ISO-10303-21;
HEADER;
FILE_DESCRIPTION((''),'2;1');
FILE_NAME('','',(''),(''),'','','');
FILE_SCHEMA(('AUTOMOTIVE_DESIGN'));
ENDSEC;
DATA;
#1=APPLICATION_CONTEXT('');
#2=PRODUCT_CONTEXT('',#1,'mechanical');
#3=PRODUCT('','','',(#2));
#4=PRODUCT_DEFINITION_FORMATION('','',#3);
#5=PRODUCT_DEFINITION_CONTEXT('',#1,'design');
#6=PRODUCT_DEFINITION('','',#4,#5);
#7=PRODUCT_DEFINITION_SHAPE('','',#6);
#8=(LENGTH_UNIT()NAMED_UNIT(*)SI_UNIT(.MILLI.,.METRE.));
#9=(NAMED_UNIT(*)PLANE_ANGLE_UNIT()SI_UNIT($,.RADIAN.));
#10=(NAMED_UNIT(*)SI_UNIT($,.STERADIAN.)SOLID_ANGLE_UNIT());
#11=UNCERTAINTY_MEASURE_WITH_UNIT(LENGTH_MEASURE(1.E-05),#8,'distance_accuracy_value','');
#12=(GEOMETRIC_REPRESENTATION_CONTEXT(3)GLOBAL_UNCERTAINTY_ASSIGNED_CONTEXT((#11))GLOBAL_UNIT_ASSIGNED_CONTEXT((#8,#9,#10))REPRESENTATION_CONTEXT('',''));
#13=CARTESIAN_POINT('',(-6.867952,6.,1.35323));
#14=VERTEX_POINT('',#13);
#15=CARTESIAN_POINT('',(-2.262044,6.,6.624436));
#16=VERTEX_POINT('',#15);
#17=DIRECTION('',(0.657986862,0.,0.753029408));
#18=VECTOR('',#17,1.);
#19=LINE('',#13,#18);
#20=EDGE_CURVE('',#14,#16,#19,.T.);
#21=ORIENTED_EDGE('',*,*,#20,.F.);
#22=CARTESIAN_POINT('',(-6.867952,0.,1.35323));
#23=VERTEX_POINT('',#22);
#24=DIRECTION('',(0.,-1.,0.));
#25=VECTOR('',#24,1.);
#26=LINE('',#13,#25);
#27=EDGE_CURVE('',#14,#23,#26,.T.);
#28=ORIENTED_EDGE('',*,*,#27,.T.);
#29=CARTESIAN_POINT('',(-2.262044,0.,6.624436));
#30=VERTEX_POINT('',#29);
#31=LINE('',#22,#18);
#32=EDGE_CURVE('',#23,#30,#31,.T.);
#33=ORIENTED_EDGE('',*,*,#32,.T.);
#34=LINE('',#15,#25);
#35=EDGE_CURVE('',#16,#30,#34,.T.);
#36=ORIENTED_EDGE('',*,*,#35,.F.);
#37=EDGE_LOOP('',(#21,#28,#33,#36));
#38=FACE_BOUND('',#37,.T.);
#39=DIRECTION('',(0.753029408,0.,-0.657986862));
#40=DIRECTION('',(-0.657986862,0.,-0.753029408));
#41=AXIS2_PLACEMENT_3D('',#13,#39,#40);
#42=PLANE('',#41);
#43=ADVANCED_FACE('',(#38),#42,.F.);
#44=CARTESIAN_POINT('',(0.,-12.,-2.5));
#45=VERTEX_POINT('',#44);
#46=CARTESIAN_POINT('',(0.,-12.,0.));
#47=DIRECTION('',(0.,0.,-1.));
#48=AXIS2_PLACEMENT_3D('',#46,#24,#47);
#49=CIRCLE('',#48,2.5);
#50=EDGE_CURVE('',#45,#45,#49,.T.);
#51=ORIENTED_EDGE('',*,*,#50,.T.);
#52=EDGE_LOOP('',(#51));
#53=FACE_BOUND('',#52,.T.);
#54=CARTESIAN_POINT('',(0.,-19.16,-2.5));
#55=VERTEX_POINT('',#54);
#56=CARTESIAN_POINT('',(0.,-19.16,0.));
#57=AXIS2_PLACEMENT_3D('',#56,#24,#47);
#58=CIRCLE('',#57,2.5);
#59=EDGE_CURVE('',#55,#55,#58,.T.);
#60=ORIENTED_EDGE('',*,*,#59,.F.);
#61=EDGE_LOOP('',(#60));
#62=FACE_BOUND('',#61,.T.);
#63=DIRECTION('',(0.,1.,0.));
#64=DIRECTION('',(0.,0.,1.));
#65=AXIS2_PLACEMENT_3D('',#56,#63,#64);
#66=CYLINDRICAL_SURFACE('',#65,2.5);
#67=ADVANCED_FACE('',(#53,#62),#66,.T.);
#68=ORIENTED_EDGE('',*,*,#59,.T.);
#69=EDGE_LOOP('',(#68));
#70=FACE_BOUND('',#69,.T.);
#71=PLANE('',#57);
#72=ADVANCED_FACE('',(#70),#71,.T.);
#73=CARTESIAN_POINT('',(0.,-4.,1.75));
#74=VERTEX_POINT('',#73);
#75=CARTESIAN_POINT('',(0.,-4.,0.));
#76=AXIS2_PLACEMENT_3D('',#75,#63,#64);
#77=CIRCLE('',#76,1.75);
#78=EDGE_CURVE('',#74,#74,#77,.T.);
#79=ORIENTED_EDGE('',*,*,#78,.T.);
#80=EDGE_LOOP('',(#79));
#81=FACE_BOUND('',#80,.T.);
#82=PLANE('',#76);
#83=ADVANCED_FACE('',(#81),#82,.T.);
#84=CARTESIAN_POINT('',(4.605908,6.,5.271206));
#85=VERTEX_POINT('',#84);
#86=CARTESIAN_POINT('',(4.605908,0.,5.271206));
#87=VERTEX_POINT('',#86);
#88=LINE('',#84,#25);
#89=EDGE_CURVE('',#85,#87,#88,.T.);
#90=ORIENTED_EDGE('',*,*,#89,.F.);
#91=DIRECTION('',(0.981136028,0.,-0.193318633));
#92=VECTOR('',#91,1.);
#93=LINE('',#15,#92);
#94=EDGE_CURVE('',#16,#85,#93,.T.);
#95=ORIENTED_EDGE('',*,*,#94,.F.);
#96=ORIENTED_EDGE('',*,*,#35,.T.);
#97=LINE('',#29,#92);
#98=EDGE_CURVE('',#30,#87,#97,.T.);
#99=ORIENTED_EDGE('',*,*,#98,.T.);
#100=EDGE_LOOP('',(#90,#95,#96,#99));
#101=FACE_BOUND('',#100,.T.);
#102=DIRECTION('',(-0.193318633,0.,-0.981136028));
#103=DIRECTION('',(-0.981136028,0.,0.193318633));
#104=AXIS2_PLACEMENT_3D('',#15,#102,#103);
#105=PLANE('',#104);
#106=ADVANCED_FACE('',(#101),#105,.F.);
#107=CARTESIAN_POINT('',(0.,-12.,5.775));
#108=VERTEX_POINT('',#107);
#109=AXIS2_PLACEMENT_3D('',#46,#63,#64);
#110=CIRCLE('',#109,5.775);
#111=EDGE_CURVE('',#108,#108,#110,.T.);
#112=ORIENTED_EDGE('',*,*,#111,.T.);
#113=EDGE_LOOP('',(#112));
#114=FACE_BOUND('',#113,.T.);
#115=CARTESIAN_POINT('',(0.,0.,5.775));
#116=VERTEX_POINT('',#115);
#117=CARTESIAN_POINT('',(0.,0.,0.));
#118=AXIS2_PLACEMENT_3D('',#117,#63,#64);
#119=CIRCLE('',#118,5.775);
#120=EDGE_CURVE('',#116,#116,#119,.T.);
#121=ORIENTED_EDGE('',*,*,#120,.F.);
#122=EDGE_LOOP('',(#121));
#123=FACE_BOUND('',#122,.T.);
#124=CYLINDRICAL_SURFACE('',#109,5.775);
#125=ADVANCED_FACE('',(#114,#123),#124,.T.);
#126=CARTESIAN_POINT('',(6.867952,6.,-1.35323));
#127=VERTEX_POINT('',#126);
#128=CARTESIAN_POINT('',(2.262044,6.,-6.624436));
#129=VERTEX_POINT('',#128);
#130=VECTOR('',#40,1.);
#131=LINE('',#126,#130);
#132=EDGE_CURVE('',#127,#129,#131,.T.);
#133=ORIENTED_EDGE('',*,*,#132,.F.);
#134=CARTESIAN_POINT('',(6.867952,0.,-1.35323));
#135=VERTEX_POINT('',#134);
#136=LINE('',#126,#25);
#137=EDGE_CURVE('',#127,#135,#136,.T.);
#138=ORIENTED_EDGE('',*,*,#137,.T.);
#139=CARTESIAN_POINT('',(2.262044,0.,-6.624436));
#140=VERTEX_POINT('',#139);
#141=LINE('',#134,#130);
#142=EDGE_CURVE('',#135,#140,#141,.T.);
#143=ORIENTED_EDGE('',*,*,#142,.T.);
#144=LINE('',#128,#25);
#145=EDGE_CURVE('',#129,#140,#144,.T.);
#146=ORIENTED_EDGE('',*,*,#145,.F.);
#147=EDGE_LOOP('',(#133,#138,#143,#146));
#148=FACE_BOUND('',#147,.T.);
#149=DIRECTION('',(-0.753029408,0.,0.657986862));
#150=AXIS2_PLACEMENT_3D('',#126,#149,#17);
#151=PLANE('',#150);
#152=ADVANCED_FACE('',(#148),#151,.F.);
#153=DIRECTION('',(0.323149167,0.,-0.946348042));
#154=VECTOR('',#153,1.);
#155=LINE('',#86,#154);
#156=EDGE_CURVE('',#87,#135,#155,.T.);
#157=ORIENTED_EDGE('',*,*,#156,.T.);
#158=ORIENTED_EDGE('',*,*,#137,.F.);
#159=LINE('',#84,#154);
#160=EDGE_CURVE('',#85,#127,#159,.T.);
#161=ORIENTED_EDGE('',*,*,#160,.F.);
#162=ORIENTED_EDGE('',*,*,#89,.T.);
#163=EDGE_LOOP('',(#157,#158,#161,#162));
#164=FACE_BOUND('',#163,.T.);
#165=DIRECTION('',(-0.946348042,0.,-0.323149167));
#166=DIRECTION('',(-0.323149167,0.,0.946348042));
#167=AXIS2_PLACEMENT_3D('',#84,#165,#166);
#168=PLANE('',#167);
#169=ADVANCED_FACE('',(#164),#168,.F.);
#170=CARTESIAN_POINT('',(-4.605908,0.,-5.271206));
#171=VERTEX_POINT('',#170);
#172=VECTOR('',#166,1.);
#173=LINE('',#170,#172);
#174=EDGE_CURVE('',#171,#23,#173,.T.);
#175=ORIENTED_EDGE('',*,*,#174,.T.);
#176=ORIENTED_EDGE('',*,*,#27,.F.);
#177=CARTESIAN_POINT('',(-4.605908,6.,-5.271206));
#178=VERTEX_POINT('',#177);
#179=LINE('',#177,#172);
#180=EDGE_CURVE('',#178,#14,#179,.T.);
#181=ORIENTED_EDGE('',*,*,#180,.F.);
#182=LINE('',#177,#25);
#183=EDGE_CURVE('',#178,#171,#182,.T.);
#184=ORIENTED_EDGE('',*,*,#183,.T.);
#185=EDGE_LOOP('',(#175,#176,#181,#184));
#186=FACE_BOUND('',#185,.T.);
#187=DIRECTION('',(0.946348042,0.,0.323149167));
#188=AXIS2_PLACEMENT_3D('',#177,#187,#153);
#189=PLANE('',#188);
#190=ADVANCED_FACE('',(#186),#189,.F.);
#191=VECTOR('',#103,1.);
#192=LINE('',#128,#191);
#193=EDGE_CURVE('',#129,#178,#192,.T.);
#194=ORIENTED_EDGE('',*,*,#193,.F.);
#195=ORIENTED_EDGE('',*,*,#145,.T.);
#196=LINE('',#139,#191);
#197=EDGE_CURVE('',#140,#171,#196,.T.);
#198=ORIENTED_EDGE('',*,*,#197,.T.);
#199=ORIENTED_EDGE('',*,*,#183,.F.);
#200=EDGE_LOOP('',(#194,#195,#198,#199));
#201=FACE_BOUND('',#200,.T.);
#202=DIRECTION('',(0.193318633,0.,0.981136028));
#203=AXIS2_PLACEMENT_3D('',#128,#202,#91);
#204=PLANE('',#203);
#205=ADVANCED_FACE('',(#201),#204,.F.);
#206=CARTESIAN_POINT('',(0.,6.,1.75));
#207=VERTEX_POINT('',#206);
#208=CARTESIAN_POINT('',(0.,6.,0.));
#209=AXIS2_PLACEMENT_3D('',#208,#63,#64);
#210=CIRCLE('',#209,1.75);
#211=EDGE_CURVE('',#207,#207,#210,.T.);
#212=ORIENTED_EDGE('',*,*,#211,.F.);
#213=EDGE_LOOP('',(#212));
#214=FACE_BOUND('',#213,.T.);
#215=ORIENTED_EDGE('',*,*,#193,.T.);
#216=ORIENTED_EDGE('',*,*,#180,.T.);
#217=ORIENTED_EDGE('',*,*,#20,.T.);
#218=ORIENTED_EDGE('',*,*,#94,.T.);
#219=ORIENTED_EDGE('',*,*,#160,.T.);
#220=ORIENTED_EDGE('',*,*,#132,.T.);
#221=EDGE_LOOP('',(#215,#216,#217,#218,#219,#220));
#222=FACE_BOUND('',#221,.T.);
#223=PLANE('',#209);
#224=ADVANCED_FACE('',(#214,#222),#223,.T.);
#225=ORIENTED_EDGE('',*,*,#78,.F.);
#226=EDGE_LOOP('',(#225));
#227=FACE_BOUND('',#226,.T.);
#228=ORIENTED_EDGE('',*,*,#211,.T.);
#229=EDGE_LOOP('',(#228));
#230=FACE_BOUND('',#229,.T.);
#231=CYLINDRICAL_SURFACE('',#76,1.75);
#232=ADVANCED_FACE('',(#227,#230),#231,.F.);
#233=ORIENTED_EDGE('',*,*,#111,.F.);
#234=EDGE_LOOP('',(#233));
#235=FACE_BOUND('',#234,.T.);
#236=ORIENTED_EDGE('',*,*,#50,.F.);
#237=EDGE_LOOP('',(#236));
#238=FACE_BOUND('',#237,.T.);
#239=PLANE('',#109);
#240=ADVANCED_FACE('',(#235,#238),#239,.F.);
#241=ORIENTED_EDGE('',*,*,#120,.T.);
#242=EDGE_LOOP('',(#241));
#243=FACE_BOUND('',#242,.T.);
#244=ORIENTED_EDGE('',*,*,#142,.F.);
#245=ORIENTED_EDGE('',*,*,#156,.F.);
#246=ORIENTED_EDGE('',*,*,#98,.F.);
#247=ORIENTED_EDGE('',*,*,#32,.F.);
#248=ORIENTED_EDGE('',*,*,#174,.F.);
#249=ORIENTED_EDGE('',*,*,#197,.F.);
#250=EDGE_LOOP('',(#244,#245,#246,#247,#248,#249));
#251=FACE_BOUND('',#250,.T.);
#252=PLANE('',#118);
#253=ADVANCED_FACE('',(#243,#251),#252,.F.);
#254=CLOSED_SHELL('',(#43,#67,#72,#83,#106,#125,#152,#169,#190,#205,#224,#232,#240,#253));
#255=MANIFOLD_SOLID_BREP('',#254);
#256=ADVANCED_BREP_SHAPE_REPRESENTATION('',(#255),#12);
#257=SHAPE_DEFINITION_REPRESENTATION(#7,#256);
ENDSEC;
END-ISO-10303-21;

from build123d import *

# Parameters (mm, degrees)
BOSS_EXTRUDE1_DEPTH = 6
SKETCH2_R           = 5.775
BOSS_EXTRUDE2_DEPTH = 18
SKETCH3_R           = 2.5
BOSS_EXTRUDE3_DEPTH = 7.16
SKETCH4_R           = 1.75
CUT_EXTRUDE1_DEPTH  = 10


with BuildPart() as part:
    # Sketch1 → Boss-Extrude1 (new body)
    with BuildSketch(Plane(origin=(0, 0, 0), x_dir=(1, 0, 0), z_dir=(0, 1, 0))):
        Polygon((4.605908032, -5.271205859), (6.867952198, 1.353230434), (2.262044166, 6.624436292), (-4.605908032, 5.271205859), (-6.867952198, -1.353230434), (-2.262044166, -6.624436292), align=None)
    extrude(amount=BOSS_EXTRUDE1_DEPTH)

    # Sketch2 → Boss-Extrude2 (add)
    with BuildSketch(Plane(origin=(0, 6, 0), x_dir=(1, 0, 0), z_dir=(0, 1, 0))):
        Circle(SKETCH2_R)
    extrude(amount=-BOSS_EXTRUDE2_DEPTH)

    # Sketch3 → Boss-Extrude3 (add)
    with BuildSketch(Plane.XZ.offset(12)):
        Circle(SKETCH3_R)
    extrude(amount=BOSS_EXTRUDE3_DEPTH)

    # Sketch4 → Cut-Extrude1 (cut)
    with BuildSketch(Plane(origin=(0, 6, 0), x_dir=(1, 0, 0), z_dir=(0, 1, 0))):
        Circle(SKETCH4_R)
    extrude(amount=-CUT_EXTRUDE1_DEPTH, mode=Mode.SUBTRACT)


solid = part.part
